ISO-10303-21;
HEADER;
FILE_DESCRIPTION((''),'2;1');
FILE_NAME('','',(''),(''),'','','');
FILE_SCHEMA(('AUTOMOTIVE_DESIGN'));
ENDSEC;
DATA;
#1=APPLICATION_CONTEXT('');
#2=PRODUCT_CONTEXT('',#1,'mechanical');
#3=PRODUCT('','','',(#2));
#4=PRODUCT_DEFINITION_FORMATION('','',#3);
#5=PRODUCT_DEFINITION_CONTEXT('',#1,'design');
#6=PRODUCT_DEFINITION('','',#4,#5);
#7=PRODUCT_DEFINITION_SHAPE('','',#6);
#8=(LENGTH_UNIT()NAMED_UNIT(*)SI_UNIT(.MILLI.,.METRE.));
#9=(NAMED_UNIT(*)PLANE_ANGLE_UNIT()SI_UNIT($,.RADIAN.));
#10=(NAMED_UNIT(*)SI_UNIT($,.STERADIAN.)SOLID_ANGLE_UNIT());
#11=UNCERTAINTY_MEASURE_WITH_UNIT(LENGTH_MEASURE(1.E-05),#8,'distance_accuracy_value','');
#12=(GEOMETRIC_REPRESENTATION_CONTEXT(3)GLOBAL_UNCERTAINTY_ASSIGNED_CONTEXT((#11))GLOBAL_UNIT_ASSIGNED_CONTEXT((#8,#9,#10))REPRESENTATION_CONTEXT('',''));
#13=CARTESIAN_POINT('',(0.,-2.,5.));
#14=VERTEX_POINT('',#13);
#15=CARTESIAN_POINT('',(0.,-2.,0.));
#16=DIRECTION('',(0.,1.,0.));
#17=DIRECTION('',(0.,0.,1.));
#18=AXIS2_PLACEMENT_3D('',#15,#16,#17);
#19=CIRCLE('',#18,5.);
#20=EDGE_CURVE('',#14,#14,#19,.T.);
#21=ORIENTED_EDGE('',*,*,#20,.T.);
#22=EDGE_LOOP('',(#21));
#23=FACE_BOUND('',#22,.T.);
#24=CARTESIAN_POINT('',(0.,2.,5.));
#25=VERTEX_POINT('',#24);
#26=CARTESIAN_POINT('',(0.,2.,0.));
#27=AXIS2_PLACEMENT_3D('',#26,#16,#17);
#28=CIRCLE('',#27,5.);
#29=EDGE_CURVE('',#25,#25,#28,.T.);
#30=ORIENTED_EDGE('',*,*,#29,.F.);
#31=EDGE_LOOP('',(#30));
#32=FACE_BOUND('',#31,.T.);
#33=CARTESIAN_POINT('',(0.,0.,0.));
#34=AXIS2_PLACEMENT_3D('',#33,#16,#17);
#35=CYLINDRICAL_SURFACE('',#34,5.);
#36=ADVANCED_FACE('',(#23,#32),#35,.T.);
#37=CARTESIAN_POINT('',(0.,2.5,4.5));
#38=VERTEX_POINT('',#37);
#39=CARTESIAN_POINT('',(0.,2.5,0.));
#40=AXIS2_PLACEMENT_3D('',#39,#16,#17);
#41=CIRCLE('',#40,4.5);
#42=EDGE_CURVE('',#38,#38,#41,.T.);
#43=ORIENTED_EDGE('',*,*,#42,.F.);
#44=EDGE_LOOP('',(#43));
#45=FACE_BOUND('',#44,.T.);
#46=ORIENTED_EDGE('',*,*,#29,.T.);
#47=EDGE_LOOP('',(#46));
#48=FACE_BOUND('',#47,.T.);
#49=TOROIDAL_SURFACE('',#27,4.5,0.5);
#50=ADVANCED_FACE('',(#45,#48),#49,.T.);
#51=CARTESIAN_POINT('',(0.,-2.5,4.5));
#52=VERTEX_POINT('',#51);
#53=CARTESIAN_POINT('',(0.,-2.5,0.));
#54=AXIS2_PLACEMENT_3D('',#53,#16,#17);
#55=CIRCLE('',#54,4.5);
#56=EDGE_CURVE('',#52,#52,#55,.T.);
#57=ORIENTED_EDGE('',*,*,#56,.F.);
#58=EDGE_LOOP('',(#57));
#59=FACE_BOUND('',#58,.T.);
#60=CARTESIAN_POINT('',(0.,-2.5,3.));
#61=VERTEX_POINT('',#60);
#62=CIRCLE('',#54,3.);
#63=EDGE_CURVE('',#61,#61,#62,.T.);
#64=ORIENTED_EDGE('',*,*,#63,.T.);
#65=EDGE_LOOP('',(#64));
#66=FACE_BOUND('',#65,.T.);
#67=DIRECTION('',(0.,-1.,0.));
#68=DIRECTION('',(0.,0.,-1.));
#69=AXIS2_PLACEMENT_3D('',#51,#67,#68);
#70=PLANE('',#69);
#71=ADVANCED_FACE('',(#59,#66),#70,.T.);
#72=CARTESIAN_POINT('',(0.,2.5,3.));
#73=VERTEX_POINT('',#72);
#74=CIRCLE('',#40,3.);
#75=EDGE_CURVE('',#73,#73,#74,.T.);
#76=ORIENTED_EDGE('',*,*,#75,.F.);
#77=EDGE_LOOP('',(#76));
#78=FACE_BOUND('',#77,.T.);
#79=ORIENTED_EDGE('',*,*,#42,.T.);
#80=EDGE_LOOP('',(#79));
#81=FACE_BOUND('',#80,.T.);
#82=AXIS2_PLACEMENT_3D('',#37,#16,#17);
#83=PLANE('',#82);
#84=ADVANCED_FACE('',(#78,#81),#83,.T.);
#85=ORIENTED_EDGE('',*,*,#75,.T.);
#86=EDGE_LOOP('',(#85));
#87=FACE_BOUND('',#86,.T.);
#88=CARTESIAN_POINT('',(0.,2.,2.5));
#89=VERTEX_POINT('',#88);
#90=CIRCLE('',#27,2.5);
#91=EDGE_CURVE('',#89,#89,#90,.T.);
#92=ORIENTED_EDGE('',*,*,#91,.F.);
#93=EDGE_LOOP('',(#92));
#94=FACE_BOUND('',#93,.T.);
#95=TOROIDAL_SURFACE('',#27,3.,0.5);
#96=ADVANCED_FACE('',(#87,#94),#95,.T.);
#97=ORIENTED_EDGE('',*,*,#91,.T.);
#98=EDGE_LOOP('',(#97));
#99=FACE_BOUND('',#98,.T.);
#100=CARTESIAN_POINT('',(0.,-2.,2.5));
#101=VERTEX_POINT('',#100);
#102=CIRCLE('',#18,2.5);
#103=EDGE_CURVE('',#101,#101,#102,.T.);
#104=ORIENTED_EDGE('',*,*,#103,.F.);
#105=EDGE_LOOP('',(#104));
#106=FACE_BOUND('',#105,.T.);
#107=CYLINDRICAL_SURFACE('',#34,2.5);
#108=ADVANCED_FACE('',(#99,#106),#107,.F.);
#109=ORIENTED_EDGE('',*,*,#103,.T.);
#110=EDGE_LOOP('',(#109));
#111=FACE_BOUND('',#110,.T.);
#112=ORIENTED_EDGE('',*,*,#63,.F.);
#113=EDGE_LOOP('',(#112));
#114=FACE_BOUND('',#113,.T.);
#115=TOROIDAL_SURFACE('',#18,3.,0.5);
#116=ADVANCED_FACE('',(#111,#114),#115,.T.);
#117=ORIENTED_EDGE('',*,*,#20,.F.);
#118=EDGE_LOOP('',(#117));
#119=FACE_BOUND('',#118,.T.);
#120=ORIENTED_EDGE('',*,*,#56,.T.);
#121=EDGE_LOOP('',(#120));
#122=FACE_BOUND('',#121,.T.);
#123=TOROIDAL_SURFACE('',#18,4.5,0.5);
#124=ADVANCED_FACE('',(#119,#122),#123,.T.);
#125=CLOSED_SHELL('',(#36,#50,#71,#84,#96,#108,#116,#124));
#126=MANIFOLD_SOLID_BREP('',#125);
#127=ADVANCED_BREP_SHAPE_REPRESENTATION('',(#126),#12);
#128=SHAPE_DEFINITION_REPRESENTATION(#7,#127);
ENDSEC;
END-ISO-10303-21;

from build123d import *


with BuildPart() as part:
    # Esboço1 → Revolução1 (revolve)
    with BuildSketch(Plane(origin=(0, 0, 0), x_dir=(0, 0, -1), z_dir=(1, 0, 0))):
        with BuildLine():
            Line((-4.5, 2.5), (-3, 2.5))
            ThreePointArc((-3, 2.5), (-2.646446609, 2.353553391), (-2.5, 2))
            Line((-2.5, 2), (-2.5, -2))
            ThreePointArc((-2.5, -2), (-2.646446609, -2.353553391), (-3, -2.5))
            Line((-3, -2.5), (-4.5, -2.5))
            ThreePointArc((-4.5, -2.5), (-4.853553391, -2.353553391), (-5, -2))
            Line((-5, -2), (-5, 2))
            ThreePointArc((-5, 2), (-4.853553391, 2.353553391), (-4.5, 2.5))
        make_face()
    revolve(axis=Axis((0, 0, 0), (0, -1, 0)))


solid = part.part
